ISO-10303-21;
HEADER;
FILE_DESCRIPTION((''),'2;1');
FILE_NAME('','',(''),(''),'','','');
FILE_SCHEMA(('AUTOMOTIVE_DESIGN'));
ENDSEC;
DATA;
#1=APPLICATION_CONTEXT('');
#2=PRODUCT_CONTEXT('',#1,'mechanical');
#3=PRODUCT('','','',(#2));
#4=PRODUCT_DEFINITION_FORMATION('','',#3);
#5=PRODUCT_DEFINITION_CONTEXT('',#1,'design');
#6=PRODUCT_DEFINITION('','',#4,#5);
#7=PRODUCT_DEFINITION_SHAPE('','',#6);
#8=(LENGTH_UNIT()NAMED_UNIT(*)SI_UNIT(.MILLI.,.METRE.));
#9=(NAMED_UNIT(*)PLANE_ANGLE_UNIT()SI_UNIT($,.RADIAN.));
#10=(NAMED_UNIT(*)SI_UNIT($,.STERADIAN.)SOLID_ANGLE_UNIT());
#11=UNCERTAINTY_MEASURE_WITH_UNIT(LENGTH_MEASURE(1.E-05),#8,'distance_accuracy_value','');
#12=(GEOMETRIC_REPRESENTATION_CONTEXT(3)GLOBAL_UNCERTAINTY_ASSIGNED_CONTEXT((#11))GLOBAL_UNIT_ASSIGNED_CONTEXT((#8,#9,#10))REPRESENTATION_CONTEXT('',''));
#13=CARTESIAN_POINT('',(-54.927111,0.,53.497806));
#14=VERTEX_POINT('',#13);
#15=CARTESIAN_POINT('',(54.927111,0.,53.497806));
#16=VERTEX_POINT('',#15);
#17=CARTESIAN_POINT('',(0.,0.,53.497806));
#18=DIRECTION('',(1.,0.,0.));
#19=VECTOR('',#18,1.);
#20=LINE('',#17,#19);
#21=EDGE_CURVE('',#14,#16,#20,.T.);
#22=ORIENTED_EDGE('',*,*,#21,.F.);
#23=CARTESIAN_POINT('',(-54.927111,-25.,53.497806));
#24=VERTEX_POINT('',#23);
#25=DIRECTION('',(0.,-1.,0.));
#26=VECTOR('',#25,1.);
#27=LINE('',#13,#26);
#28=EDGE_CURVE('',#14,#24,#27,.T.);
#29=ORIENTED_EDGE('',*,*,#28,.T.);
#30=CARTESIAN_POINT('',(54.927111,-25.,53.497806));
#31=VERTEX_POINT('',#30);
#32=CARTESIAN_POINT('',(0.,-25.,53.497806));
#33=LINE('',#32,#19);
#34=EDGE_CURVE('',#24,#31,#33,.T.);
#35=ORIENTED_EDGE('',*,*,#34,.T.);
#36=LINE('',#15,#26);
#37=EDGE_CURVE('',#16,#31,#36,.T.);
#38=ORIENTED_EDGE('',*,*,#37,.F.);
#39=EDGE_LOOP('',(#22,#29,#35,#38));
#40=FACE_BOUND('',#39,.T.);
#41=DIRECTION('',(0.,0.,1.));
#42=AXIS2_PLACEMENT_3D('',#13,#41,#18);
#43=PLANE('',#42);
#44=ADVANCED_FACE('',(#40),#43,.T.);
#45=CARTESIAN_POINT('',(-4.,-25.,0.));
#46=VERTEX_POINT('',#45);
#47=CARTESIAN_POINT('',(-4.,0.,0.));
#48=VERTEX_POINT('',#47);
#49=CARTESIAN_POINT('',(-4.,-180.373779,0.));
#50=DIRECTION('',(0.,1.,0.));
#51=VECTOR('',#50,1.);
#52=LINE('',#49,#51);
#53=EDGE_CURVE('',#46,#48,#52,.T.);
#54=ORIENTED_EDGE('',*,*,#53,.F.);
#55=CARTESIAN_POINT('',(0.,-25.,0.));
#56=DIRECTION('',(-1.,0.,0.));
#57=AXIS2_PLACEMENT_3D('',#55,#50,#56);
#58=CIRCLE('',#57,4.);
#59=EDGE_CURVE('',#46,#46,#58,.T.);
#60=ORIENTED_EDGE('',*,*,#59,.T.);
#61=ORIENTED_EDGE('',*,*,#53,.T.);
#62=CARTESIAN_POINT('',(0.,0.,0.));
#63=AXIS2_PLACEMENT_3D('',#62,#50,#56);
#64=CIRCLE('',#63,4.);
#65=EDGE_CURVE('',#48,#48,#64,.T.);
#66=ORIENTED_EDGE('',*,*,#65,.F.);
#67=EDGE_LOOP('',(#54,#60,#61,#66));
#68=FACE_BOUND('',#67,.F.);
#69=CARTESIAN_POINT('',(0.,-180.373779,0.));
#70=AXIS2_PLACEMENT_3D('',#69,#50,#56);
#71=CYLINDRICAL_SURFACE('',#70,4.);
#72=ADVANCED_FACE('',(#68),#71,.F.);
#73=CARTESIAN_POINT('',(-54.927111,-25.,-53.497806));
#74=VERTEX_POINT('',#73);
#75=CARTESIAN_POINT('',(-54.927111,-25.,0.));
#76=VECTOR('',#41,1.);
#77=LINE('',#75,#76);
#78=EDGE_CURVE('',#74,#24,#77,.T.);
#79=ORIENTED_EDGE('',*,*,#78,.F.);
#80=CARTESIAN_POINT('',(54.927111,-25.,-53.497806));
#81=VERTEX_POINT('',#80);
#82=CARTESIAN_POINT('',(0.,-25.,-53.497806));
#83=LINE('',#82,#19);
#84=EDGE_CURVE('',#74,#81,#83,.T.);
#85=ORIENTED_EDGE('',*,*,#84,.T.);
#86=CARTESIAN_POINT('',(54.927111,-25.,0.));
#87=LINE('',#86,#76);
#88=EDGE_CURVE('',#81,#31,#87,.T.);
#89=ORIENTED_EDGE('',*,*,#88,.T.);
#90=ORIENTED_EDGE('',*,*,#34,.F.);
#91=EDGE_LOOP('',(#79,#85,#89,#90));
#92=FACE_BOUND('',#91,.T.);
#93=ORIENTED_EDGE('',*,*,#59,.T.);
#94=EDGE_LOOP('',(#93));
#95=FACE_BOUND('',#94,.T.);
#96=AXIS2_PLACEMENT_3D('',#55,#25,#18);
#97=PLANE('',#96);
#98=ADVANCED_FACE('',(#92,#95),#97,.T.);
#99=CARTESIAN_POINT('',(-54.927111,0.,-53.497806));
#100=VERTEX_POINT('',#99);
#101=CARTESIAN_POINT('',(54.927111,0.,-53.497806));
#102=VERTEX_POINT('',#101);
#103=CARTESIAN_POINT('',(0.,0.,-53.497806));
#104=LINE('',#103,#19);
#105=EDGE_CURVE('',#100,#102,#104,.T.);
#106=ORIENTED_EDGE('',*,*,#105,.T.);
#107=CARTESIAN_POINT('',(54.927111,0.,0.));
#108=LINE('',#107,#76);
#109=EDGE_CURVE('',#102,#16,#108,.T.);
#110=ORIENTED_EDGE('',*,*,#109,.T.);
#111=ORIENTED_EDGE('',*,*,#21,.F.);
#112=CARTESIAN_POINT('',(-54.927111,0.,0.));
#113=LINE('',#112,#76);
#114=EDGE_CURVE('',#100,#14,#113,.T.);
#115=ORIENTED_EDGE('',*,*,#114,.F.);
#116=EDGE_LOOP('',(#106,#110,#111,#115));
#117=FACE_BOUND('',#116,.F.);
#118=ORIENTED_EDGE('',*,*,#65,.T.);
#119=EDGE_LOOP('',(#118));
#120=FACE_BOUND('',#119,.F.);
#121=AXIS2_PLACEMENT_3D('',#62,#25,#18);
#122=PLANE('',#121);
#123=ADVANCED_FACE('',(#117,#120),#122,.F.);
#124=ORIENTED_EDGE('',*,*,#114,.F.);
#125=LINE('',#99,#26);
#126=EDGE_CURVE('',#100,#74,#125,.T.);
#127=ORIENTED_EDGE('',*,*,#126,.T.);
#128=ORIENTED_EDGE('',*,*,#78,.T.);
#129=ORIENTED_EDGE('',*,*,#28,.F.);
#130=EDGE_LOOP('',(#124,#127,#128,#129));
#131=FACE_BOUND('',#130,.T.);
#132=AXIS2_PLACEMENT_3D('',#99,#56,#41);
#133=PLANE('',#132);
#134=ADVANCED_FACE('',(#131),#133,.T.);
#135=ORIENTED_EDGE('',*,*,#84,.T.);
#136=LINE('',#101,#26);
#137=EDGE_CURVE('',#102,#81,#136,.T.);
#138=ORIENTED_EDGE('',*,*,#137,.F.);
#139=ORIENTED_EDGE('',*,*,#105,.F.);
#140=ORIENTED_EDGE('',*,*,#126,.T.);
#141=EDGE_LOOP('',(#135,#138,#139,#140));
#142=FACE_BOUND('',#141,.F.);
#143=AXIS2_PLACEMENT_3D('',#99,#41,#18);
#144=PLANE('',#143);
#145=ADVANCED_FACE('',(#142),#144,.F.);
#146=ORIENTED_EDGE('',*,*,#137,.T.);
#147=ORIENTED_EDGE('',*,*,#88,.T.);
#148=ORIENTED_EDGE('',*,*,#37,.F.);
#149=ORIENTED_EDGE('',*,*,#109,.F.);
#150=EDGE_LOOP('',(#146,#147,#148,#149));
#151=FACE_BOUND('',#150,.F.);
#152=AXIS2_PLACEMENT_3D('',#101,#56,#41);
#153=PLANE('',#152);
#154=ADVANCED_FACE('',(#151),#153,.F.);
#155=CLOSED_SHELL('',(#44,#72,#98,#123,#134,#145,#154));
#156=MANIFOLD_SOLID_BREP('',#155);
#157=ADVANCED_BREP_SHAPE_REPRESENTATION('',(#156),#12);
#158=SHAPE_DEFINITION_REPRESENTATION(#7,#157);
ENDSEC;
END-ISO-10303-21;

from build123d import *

# Parameters (mm, degrees)
F0_W     = 109.854222
F0_H     = 106.995612
F1_DEPTH = 25
F3_D     = 8


with BuildPart() as f1:
    # F0 (on Front) → F1 (new body)
    with BuildSketch(Plane.XZ):
        Rectangle(F0_W, F0_H)
    extrude(amount=F1_DEPTH)

    # F3 (through all)
    with Locations(Plane.XZ.offset(25)):
        with Locations((0, 0)):
            Hole(F3_D / 2)


solid = f1.part
